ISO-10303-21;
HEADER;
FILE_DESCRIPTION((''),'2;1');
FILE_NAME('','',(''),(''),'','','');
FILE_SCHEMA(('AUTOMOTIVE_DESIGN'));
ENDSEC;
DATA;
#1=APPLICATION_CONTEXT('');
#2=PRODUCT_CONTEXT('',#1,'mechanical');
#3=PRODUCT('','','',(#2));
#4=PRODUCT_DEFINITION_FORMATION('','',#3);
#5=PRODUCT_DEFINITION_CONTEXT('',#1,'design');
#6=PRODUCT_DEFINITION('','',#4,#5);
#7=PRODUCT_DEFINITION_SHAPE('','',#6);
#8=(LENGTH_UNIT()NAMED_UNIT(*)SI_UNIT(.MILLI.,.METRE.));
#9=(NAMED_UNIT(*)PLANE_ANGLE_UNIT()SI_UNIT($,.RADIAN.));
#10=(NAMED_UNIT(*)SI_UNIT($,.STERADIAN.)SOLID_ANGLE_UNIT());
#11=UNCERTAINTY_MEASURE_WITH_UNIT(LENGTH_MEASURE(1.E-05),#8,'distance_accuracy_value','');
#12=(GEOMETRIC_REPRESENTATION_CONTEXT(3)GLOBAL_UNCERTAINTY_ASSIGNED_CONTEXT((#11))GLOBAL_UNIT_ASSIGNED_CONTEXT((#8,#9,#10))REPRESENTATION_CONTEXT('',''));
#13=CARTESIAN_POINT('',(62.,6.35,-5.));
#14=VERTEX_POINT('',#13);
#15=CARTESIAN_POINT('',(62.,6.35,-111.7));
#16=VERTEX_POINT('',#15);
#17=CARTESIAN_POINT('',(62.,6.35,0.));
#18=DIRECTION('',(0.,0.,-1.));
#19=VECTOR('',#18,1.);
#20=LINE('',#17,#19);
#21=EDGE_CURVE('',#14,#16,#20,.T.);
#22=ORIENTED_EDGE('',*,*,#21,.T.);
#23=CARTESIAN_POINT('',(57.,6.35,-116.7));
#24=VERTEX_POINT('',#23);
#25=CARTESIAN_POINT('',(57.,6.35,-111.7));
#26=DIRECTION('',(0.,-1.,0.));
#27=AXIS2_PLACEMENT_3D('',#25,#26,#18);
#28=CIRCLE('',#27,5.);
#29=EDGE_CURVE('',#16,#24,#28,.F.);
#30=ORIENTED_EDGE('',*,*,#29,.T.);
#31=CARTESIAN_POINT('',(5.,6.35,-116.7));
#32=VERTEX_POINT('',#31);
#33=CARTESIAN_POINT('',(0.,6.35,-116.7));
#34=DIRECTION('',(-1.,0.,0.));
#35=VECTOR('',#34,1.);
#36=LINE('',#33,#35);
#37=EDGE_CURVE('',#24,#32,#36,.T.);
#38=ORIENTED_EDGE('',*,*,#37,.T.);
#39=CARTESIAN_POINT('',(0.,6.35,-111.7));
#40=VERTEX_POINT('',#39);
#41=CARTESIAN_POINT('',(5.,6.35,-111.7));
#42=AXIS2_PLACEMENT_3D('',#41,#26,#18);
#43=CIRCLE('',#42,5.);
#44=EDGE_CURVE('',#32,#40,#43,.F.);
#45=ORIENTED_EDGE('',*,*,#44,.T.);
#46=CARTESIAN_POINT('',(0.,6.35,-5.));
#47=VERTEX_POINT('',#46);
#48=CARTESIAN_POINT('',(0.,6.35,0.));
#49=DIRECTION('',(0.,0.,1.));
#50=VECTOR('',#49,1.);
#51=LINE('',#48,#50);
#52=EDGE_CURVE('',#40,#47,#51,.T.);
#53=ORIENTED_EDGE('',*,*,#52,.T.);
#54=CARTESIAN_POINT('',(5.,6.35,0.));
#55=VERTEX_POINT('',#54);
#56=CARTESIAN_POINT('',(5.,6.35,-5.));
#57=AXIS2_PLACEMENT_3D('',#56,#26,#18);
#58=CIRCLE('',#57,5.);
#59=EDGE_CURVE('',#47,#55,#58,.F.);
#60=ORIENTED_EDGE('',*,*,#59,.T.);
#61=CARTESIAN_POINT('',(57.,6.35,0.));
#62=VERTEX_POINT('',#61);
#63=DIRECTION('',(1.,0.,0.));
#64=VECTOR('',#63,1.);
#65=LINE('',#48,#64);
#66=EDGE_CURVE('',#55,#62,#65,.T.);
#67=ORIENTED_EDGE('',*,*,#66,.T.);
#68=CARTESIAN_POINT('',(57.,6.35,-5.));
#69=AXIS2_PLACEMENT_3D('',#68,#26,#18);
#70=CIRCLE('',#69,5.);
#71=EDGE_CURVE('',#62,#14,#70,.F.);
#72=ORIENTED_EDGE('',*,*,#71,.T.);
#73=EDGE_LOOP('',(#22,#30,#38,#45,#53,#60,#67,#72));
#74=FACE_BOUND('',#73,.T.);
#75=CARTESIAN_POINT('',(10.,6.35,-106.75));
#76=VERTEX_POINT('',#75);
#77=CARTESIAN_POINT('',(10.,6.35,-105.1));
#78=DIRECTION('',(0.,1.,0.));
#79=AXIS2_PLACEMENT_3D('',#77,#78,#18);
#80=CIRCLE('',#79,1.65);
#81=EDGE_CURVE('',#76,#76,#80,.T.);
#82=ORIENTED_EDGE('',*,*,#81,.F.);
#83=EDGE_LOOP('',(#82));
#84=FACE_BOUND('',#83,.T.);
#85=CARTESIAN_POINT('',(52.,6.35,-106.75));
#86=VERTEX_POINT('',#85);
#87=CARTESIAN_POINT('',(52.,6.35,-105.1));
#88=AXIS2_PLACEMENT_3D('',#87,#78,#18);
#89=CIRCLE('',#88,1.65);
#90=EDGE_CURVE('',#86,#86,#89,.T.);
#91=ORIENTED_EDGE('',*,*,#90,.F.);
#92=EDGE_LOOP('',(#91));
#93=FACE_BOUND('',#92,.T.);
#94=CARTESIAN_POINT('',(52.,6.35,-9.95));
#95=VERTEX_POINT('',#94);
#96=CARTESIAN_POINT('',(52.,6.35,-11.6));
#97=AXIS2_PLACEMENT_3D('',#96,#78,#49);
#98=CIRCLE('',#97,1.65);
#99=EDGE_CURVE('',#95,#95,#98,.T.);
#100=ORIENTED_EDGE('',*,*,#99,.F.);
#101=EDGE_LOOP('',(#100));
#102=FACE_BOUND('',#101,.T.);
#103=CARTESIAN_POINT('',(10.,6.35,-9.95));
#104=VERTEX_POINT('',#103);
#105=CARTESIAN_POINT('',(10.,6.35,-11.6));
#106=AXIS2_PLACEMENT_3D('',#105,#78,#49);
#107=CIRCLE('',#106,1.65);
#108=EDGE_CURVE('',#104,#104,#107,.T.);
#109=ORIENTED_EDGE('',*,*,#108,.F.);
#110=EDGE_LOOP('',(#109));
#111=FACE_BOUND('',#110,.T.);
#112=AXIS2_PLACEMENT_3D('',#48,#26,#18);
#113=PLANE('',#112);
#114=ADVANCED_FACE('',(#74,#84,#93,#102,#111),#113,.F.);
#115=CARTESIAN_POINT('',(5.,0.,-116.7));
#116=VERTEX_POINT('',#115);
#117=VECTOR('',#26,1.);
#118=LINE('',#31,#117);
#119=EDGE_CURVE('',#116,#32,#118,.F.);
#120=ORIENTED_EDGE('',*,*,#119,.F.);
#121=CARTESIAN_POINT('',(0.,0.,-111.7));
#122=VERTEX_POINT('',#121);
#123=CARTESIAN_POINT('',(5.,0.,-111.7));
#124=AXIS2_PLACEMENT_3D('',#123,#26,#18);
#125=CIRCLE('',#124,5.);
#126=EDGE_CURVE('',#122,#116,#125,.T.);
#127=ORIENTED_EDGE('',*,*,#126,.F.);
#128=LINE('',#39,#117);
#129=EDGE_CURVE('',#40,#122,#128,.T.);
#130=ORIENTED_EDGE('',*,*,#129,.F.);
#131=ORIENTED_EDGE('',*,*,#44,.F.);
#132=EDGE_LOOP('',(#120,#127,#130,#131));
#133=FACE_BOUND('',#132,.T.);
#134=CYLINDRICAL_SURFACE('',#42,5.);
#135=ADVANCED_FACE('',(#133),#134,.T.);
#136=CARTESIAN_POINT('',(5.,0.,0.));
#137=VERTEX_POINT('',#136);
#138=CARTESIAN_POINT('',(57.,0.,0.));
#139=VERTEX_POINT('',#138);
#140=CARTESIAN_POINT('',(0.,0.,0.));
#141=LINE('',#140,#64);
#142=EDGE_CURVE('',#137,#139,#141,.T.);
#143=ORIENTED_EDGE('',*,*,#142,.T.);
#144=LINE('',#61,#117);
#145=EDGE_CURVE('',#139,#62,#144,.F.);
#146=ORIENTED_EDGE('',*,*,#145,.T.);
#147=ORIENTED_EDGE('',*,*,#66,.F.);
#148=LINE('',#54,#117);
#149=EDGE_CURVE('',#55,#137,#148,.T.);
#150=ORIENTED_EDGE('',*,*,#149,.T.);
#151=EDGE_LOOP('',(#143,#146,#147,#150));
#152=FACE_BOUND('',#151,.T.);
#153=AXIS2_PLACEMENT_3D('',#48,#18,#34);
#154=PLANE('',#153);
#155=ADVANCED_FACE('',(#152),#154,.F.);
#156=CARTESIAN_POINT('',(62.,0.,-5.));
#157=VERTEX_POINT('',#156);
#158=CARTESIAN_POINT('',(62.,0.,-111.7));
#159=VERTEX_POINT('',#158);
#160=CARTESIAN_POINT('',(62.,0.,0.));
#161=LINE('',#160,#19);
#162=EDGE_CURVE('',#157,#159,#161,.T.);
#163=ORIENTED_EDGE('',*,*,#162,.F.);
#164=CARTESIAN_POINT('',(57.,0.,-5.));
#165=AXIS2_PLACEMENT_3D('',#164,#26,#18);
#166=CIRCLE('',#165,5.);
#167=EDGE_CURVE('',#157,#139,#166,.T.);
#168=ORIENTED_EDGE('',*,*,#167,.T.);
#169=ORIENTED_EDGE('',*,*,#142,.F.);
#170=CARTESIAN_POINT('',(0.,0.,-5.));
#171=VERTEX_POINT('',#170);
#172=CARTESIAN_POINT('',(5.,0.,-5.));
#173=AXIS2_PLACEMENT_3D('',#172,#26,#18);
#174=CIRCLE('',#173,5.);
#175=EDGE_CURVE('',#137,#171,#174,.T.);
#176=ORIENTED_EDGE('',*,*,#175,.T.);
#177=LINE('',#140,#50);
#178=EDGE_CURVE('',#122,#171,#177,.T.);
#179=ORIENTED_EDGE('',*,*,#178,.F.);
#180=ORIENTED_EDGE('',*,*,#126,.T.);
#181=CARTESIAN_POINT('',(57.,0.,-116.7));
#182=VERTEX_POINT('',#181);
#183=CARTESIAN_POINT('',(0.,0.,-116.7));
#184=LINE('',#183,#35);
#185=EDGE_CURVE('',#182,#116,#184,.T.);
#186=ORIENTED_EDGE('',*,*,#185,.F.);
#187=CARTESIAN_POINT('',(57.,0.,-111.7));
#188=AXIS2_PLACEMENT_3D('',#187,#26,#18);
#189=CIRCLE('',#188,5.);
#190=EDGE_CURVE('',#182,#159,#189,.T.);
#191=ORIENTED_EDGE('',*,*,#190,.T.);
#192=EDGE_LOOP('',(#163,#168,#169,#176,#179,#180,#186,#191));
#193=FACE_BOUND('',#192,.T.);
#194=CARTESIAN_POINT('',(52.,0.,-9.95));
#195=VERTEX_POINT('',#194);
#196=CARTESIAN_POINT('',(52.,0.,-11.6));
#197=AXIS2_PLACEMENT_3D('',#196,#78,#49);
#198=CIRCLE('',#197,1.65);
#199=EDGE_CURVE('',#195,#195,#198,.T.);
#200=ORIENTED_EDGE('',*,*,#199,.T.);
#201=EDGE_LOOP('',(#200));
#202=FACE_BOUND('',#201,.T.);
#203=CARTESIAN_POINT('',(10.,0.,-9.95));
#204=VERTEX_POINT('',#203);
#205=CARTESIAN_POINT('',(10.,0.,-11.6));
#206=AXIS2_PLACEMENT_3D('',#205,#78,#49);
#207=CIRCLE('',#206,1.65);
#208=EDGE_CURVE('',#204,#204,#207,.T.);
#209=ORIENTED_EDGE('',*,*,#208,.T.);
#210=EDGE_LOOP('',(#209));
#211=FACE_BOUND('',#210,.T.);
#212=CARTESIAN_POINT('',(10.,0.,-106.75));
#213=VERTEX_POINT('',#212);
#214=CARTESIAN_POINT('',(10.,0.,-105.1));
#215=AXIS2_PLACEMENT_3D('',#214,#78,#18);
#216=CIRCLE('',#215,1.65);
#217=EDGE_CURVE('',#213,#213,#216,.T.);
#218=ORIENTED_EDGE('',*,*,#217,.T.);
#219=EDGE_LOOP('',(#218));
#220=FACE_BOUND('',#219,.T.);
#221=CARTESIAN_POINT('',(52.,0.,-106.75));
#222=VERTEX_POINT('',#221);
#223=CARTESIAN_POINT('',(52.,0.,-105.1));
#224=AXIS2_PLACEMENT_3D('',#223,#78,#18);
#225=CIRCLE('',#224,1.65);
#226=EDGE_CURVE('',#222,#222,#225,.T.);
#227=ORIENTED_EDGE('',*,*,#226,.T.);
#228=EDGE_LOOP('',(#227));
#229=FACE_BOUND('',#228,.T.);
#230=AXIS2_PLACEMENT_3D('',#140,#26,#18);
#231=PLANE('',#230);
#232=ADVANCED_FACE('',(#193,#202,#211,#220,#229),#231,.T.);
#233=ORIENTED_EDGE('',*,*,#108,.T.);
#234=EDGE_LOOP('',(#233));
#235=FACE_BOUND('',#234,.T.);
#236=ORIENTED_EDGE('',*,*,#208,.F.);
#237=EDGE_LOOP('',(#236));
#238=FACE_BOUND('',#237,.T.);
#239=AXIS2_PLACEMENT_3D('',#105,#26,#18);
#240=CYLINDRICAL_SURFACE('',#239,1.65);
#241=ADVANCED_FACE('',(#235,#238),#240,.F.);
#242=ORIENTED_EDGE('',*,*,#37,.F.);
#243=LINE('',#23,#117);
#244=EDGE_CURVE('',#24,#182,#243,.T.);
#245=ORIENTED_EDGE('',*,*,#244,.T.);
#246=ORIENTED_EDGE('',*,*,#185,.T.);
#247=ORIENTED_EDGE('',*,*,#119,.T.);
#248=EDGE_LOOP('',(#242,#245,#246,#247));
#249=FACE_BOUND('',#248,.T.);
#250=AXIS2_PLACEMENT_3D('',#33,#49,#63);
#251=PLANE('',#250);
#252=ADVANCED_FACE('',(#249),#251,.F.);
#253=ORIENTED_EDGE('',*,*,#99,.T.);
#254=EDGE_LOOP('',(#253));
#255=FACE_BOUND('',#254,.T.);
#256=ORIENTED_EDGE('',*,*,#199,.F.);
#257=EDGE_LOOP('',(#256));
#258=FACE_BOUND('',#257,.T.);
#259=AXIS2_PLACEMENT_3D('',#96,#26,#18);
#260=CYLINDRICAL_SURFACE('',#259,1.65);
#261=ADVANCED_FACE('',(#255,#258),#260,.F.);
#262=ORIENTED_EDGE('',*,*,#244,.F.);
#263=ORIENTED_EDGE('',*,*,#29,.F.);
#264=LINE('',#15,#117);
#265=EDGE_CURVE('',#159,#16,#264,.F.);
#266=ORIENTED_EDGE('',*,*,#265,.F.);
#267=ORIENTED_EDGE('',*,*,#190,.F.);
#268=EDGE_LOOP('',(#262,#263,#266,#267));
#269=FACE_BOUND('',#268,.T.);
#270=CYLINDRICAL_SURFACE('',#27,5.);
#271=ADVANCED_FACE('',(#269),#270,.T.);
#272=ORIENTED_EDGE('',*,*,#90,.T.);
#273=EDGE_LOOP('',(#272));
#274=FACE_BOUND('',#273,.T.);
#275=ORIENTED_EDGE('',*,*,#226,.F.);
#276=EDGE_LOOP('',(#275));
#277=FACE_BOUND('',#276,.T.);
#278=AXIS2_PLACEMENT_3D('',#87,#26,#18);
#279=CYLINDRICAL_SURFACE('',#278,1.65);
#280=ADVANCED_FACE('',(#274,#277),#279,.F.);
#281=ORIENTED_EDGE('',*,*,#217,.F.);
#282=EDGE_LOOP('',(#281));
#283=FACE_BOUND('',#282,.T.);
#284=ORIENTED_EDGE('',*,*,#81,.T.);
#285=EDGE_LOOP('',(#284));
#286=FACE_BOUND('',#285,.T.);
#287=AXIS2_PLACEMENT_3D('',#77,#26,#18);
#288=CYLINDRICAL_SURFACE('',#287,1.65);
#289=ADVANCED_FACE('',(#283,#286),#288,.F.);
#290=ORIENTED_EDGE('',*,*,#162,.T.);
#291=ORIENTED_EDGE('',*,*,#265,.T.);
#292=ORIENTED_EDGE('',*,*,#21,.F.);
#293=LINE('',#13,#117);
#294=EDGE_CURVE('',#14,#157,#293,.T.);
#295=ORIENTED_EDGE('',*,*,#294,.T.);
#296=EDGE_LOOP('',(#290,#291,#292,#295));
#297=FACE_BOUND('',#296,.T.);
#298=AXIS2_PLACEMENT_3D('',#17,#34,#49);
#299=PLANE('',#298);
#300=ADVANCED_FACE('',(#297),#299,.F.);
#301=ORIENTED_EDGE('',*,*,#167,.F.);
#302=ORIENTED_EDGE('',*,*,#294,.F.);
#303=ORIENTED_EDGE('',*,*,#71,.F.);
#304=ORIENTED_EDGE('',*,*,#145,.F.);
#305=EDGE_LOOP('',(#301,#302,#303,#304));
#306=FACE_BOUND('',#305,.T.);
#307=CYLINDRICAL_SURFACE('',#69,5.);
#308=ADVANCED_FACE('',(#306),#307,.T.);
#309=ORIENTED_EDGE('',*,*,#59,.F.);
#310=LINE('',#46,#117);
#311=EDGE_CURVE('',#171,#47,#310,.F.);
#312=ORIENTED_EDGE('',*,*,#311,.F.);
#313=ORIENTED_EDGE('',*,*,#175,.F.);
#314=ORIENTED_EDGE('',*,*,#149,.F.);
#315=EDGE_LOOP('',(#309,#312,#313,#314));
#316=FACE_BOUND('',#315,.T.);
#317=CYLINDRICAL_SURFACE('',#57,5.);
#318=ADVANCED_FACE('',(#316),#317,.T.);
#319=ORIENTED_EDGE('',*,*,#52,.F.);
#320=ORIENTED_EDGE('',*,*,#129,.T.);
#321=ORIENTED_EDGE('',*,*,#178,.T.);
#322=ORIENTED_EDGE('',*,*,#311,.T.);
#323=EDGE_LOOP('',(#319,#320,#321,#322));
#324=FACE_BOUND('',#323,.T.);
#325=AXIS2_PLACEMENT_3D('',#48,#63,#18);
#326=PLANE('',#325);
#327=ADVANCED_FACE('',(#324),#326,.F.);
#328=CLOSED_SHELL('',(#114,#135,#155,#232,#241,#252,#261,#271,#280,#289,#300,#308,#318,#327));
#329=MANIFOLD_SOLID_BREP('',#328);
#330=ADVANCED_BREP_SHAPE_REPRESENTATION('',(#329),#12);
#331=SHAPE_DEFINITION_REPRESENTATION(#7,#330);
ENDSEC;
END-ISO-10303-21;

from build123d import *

# Parameters (mm, degrees)
CROQUIS2_W              = 62
CROQUIS2_H              = 116.7
CROQUIS2_R              = 1.65
SALIENTE_EXTRUIR1_DEPTH = 6.35
REDONDEO2_R             = 5


with BuildPart() as part:
    # Croquis2 → Saliente-Extruir1 (new body)
    with BuildSketch(Plane(origin=(0, 0, 0), x_dir=(1, 0, 0), z_dir=(0, 1, 0))):
        with Locations((31, 58.35)):
            Rectangle(CROQUIS2_W, CROQUIS2_H)
        with Locations(Location((10, 11.6, 0), (0, 0, 270))):
            Circle(CROQUIS2_R, mode=Mode.SUBTRACT)
        with Locations(Location((52, 11.6, 0), (0, 0, 270))):
            Circle(CROQUIS2_R, mode=Mode.SUBTRACT)
        with Locations(Location((10, 105.1, 0), (0, 0, 90))):
            Circle(CROQUIS2_R, mode=Mode.SUBTRACT)
        with Locations(Location((52, 105.1, 0), (0, 0, 90))):
            Circle(CROQUIS2_R, mode=Mode.SUBTRACT)
    extrude(amount=SALIENTE_EXTRUIR1_DEPTH)

    # Redondeo2
    redondeo2_edges = [part.edges().sort_by_distance(p)[0] for p in [
        (0, 3.175, -116.7),
        (62, 3.175, -116.7),
        (62, 3.175, 0),
        (0, 3.175, 0),
    ]]
    fillet(redondeo2_edges, radius=REDONDEO2_R)


solid = part.part
